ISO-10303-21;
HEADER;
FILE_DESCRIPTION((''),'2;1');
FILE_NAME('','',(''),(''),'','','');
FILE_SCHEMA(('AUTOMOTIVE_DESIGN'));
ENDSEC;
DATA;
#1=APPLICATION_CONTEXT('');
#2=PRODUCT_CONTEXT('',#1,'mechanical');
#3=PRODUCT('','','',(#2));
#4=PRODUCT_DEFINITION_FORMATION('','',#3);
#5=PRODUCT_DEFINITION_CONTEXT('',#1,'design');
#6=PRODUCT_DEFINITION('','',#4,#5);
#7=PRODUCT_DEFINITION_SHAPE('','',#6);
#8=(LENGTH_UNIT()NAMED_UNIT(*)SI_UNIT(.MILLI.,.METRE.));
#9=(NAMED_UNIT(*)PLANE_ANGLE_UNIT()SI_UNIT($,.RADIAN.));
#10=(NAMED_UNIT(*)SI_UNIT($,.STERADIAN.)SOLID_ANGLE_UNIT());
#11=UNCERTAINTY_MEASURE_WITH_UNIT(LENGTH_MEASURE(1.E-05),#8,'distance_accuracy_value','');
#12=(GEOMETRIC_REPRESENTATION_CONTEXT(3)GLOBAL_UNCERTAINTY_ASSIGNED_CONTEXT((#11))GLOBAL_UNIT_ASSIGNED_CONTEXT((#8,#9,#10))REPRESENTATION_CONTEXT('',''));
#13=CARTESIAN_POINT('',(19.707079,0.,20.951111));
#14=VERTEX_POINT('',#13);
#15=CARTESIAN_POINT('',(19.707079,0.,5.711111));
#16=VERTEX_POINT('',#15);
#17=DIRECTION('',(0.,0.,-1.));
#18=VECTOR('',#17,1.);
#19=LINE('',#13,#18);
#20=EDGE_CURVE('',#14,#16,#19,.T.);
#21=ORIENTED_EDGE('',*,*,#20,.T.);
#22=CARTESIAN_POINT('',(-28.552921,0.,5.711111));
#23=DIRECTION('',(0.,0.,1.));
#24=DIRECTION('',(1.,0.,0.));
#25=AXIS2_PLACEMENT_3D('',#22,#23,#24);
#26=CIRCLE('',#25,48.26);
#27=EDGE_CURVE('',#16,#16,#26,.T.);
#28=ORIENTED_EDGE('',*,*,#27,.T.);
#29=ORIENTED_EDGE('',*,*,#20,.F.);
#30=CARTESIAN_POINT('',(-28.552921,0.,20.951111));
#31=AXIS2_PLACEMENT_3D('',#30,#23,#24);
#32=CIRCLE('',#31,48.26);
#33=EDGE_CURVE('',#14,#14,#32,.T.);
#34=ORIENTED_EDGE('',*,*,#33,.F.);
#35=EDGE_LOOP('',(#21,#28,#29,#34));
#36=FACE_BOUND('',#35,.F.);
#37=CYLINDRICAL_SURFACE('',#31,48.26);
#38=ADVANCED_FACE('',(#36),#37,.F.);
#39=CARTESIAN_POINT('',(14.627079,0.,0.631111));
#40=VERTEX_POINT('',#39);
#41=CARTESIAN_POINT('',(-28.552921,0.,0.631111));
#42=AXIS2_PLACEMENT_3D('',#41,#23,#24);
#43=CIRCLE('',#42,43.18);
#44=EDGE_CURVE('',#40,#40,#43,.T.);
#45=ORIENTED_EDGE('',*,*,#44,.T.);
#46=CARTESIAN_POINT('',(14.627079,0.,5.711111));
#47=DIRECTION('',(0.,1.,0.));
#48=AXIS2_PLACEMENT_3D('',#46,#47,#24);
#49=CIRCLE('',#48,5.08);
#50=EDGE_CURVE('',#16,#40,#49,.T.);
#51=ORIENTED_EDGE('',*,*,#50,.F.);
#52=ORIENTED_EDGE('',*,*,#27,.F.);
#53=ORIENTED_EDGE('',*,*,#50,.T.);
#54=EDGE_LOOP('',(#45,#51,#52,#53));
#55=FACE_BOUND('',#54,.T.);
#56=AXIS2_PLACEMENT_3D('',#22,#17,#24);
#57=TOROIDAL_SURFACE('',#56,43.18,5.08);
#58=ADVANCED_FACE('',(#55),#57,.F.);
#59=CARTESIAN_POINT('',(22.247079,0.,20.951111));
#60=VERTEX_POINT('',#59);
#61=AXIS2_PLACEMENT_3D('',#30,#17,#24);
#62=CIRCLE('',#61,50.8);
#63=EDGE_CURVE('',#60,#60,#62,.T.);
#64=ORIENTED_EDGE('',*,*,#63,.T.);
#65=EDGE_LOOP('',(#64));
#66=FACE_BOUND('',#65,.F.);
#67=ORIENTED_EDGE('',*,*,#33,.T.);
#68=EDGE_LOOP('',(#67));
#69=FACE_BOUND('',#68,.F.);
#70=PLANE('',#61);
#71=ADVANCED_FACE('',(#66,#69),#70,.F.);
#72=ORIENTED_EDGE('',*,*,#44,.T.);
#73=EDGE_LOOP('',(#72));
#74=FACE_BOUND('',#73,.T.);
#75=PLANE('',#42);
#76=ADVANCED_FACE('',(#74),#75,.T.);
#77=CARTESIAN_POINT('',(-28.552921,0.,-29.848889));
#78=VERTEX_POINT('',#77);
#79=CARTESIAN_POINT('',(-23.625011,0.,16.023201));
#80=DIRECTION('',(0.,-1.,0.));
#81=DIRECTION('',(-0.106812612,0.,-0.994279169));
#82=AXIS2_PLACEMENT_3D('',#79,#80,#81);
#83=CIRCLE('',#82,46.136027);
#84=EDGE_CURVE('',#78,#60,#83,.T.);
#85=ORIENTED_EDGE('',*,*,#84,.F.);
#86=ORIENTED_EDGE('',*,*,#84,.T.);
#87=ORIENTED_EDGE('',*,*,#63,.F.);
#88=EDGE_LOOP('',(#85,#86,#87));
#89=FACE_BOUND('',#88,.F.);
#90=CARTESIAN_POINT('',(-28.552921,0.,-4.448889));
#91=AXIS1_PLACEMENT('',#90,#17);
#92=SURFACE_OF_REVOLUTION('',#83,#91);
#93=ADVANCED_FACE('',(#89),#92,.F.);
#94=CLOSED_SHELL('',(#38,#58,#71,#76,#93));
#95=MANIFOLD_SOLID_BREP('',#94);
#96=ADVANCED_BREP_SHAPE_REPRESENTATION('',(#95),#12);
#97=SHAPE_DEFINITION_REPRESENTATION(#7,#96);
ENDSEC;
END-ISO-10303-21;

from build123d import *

# Parameters (mm, degrees)
F2_R     = 48.26
F3_DEPTH = 20.32
F4_R     = 5.08


with BuildPart() as f1:
    # F0 (on Front) → F1 (revolve)
    with BuildSketch(Plane.XZ):
        with BuildLine():
            Line((22.247079, 20.951111), (-28.552921, 20.951111))
            Line((-28.552921, 20.951111), (-28.552921, -29.848889))
            ThreePointArc((-28.552921, -29.848889), (8.998086, -16.599896), (22.247079, 20.951111))
        make_face()
    revolve(axis=Axis((-28.552921, 0, -4.448889), (0, 0, -1)))

    # F2 (on face) → F3 (cut)
    with BuildSketch(Plane.XY.offset(20.951111)):
        with Locations((-28.552921, 0)):
            Circle(F2_R)
    extrude(amount=-F3_DEPTH, mode=Mode.SUBTRACT)

    # F4
    f4_edges = [f1.edges().sort_by_distance(p)[0] for p in [
        (-76.812921, 0, 0.631111),
    ]]
    fillet(f4_edges, radius=F4_R)


solid = f1.part
